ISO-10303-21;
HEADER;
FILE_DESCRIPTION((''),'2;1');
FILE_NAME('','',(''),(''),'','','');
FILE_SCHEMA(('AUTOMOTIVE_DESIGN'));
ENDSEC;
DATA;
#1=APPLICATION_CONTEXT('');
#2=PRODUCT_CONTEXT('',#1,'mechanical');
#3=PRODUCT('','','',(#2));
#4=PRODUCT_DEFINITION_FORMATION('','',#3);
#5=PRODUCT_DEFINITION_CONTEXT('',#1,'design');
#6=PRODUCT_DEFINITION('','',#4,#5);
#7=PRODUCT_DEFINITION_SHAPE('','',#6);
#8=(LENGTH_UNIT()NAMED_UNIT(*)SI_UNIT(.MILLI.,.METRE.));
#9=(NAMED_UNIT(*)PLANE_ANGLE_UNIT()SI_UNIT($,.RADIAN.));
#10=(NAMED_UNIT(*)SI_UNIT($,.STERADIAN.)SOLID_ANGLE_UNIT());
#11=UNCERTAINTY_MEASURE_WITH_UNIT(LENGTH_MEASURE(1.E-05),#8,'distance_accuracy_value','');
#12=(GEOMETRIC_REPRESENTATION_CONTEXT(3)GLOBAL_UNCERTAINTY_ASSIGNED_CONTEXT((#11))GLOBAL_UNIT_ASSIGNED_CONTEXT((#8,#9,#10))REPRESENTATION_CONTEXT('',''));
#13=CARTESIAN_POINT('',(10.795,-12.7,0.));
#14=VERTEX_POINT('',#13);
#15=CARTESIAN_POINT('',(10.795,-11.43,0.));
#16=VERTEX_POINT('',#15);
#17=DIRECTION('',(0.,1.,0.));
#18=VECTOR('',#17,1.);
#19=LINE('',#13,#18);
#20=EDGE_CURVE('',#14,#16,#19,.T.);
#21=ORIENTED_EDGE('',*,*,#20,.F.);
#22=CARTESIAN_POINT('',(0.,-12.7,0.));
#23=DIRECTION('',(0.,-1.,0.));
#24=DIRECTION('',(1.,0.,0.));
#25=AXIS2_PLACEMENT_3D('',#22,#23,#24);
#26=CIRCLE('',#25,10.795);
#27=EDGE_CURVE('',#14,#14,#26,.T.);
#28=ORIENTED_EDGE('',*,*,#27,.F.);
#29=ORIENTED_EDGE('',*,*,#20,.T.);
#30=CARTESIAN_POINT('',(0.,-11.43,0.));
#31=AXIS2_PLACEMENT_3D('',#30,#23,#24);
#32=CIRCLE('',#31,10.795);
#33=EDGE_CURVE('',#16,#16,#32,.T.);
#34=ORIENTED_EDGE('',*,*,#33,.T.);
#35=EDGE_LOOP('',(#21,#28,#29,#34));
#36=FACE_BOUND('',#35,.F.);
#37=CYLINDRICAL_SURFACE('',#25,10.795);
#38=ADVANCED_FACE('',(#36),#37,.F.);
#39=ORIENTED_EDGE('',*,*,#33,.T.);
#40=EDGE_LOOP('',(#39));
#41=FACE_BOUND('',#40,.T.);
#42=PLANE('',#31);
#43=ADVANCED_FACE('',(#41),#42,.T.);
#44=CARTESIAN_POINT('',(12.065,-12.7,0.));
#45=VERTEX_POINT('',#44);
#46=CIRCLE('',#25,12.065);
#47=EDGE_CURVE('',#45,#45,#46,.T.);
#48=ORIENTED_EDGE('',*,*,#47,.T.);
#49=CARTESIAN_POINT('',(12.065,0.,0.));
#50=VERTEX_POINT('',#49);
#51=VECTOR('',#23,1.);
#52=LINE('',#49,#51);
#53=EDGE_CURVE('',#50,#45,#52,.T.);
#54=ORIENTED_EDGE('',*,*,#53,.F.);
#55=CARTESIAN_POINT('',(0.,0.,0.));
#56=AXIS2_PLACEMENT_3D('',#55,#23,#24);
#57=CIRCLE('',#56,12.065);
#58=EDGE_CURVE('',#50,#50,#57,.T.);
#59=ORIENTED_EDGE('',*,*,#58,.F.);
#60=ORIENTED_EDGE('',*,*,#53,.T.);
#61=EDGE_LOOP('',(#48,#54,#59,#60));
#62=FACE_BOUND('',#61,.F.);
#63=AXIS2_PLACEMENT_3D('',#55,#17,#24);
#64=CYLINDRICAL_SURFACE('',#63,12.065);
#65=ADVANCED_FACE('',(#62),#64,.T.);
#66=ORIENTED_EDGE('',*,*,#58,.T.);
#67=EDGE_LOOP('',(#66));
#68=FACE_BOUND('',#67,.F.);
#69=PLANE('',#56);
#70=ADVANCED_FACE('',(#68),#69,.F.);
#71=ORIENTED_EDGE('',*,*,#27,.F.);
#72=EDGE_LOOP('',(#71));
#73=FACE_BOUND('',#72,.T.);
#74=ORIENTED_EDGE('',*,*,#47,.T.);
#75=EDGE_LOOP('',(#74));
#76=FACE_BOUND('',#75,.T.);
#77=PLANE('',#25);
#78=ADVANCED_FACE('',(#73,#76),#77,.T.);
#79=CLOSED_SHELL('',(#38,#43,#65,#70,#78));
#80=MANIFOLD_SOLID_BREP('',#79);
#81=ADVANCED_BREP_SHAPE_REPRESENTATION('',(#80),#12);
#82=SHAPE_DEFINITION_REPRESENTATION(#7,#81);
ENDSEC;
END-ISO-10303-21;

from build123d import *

# Parameters (mm, degrees)
F0_R     = 12.065
F1_DEPTH = 12.7
F3_R     = 10.795
F4_DEPTH = 1.27


with BuildPart() as f1:
    # F0 (on Front) → F1 (new body)
    with BuildSketch(Plane.XZ):
        Circle(F0_R)
    extrude(amount=F1_DEPTH)

    # F3 (on offset) → F4 (cut)
    with BuildSketch(Plane.XZ.offset(12.7)):
        Circle(F3_R)
    extrude(amount=-F4_DEPTH, mode=Mode.SUBTRACT)


solid = f1.part
